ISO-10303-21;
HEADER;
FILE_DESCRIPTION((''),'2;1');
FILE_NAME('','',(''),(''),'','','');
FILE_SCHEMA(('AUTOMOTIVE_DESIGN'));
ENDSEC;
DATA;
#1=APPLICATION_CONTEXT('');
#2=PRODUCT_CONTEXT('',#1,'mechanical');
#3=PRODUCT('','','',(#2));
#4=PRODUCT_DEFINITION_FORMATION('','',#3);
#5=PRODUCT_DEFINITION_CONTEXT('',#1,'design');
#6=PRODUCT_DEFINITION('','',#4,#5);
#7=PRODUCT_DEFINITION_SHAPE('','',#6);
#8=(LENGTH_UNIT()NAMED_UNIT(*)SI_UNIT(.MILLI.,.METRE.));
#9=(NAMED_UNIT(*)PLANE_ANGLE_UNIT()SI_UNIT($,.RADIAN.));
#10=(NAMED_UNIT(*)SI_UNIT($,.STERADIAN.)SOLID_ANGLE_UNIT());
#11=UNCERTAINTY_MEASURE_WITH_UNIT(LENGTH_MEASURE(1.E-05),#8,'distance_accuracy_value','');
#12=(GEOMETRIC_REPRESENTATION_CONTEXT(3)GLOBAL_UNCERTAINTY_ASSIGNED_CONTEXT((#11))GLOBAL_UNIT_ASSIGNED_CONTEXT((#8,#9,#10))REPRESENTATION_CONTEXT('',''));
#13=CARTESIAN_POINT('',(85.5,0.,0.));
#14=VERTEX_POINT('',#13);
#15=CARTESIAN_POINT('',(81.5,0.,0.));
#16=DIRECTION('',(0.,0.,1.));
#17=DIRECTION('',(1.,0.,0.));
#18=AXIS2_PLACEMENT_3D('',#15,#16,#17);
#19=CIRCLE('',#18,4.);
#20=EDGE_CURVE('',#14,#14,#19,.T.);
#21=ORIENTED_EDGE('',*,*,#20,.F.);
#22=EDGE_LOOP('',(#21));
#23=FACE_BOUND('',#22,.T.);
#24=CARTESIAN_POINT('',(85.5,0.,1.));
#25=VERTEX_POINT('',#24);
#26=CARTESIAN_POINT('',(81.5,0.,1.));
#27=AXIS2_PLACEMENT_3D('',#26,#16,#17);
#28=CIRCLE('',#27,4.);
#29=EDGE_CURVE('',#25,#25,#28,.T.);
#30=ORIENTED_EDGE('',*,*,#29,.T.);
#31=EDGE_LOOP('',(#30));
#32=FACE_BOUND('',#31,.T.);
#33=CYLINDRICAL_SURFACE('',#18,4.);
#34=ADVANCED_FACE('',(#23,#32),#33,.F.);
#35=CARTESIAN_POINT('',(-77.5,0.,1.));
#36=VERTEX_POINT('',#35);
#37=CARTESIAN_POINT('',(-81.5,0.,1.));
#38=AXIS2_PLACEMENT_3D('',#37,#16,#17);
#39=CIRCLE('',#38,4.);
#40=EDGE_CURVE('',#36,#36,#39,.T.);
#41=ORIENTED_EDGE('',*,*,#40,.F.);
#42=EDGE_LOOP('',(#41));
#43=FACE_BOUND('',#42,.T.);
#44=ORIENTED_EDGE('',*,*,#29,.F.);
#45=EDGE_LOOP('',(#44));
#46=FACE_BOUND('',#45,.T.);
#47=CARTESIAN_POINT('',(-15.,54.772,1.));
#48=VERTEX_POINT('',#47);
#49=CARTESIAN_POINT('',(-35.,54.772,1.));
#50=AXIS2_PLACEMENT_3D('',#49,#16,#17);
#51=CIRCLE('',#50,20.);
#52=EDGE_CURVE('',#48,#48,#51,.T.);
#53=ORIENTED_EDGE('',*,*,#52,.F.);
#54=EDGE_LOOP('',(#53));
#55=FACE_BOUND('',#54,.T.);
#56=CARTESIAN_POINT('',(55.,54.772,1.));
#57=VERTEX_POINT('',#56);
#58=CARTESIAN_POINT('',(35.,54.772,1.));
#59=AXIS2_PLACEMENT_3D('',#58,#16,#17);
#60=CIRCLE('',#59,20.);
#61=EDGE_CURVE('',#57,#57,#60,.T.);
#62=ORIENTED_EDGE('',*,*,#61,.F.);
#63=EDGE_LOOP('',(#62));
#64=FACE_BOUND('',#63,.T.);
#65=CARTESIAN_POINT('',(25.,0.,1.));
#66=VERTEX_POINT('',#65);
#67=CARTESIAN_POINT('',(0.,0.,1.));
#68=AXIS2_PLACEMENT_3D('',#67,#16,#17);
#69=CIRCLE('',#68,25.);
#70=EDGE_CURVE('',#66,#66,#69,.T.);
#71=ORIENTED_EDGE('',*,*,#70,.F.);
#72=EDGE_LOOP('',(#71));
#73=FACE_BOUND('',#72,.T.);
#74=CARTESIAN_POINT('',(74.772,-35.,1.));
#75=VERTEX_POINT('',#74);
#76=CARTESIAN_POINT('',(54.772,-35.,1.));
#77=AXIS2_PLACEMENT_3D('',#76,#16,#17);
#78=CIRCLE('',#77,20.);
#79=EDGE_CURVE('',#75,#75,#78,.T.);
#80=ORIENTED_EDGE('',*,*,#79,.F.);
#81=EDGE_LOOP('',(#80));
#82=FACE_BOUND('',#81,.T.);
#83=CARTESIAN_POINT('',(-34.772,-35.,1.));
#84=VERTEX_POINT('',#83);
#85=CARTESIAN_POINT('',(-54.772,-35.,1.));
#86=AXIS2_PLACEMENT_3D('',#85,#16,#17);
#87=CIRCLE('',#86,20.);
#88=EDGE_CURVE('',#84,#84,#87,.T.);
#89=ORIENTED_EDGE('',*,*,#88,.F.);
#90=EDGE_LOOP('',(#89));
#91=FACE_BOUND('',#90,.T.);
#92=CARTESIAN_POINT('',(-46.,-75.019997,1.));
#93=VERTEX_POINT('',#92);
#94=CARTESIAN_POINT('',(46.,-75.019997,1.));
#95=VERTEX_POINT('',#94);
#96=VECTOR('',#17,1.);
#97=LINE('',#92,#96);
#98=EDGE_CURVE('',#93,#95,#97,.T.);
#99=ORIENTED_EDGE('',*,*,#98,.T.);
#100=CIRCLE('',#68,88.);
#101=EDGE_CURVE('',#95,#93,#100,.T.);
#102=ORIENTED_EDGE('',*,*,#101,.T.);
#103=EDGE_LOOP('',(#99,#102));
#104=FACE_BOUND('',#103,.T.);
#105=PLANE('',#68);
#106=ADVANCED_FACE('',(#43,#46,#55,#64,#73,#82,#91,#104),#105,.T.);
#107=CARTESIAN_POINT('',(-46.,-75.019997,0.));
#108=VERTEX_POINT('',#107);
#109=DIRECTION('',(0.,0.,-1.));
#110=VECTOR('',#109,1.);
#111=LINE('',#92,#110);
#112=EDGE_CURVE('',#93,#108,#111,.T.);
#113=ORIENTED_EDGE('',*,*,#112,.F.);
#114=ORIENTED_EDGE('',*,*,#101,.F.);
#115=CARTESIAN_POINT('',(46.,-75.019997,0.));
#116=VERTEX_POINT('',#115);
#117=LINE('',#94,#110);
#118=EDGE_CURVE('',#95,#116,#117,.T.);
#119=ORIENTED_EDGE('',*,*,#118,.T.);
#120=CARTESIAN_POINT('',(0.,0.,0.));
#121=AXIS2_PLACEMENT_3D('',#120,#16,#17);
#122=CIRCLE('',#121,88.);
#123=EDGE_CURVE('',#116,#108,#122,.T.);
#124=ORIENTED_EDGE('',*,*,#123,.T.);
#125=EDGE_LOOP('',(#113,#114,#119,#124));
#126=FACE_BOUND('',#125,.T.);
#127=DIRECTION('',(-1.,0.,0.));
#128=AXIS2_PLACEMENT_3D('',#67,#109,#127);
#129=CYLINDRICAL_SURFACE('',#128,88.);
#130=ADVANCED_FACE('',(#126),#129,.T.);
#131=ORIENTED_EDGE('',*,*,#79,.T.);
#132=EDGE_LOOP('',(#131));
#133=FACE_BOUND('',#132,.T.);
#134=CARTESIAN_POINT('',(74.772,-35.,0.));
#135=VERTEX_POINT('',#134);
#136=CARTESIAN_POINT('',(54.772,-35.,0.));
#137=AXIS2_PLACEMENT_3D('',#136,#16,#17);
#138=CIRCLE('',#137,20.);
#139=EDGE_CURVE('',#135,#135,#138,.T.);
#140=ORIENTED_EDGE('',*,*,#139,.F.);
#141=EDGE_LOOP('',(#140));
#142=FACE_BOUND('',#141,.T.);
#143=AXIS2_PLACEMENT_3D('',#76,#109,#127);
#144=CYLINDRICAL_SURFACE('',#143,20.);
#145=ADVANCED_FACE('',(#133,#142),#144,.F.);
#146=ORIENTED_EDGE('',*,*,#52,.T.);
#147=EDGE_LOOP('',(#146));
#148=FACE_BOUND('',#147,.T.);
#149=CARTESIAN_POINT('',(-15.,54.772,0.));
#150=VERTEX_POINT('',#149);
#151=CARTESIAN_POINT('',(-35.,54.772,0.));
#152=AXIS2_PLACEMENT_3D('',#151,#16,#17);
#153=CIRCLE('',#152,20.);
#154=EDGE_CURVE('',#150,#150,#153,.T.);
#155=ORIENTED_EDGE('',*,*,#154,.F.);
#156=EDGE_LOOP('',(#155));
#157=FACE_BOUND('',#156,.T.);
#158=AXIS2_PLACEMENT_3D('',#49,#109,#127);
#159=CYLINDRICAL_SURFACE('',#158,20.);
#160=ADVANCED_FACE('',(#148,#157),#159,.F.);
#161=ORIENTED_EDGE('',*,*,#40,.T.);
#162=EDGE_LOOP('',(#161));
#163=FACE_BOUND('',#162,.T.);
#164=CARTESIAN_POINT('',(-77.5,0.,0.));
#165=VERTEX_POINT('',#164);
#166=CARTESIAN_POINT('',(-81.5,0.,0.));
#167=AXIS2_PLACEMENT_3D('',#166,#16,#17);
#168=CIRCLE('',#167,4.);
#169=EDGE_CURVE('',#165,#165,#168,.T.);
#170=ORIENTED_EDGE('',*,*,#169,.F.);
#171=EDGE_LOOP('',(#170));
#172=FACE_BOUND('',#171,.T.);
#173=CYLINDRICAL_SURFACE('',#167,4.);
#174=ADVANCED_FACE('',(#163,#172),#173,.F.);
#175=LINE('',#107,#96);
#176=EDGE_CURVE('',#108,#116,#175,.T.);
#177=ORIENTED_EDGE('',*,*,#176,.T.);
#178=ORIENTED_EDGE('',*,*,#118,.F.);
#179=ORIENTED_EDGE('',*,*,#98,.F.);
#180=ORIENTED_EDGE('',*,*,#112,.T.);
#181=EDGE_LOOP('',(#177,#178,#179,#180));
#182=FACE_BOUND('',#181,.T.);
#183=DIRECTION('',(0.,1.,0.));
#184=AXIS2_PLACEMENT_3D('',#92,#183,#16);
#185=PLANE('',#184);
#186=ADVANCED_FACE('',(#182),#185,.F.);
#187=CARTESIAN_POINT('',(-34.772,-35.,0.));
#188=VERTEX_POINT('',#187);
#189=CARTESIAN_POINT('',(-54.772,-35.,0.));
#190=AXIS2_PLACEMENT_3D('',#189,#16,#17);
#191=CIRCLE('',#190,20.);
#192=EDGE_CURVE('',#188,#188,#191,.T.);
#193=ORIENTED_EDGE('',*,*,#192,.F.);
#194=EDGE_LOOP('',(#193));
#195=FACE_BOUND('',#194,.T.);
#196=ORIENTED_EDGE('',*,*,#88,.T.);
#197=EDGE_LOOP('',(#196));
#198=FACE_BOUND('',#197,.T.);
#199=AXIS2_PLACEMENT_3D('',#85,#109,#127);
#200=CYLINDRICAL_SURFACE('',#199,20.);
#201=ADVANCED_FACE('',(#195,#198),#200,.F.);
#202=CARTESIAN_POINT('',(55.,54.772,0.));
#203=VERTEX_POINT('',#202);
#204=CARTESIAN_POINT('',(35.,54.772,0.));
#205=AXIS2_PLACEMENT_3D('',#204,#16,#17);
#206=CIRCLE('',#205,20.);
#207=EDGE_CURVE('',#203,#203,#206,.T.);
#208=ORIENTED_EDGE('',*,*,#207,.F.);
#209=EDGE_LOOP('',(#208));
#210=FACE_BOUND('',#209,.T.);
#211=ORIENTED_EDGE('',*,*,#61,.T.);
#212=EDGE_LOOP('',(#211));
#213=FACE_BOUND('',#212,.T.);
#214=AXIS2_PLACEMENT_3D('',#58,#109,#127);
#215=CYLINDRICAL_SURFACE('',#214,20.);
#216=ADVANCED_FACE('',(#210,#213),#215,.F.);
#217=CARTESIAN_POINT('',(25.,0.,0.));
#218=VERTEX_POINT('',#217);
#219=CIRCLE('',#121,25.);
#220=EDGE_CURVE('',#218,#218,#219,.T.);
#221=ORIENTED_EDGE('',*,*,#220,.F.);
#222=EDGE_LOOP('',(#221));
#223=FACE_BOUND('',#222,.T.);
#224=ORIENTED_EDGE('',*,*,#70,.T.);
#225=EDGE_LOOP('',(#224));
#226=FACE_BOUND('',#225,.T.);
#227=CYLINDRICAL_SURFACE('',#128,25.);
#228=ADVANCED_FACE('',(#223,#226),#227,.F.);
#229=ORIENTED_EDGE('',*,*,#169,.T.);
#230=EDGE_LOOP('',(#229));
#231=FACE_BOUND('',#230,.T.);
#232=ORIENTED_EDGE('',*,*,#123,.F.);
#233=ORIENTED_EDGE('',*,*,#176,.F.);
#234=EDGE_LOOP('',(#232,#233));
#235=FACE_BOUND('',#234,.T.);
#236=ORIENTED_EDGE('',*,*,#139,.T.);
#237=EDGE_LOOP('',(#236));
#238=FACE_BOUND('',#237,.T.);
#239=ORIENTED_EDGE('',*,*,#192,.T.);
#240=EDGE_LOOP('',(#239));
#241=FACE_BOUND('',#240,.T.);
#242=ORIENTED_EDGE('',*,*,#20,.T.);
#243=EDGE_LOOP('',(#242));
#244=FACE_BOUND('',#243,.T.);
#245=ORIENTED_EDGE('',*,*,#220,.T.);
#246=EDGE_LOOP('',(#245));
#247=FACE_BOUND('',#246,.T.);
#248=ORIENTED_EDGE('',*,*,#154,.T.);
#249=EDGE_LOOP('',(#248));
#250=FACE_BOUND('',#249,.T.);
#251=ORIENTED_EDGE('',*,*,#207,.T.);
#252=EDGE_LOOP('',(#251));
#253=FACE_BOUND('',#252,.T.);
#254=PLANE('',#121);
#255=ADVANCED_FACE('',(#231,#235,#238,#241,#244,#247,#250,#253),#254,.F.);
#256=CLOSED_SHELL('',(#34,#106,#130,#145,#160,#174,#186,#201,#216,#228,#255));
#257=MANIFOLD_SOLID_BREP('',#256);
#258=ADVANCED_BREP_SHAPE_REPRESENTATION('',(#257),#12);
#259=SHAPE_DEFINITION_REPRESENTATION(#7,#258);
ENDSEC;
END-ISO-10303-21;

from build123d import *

# Parameters (mm, degrees)
ESBO_O1_R                = 25
ESBO_O1_R_2              = 20
RESSALTO_EXTRUS_O1_DEPTH = 1
ESBO_O2_R                = 4
CORTE_EXTRUS_O1_DEPTH    = 1


with BuildPart() as part:
    # Esboço1 → Ressalto-extrusão1 (new body)
    with BuildSketch(Plane.XY):
        with BuildLine():
            Line((-46, -75.019997334), (46, -75.019997334))
            ThreePointArc((46, -75.019997334), (0, 88), (-46, -75.019997334))
        make_face()
        Circle(ESBO_O1_R, mode=Mode.SUBTRACT)
        with Locations((-35, 54.772)):
            Circle(ESBO_O1_R_2, mode=Mode.SUBTRACT)
        with Locations((35, 54.772)):
            Circle(ESBO_O1_R_2, mode=Mode.SUBTRACT)
        with Locations((-54.772, -35)):
            Circle(ESBO_O1_R_2, mode=Mode.SUBTRACT)
        with Locations((54.772, -35)):
            Circle(ESBO_O1_R_2, mode=Mode.SUBTRACT)
    extrude(amount=RESSALTO_EXTRUS_O1_DEPTH)

    # Esboço2 → Corte-extrusão1 (cut)
    with BuildSketch(Plane.XY.offset(1)):
        with Locations((81.5, 0)):
            Circle(ESBO_O2_R)
        with Locations((-81.5, 0)):
            Circle(ESBO_O2_R)
    extrude(amount=-CORTE_EXTRUS_O1_DEPTH, mode=Mode.SUBTRACT)


solid = part.part
